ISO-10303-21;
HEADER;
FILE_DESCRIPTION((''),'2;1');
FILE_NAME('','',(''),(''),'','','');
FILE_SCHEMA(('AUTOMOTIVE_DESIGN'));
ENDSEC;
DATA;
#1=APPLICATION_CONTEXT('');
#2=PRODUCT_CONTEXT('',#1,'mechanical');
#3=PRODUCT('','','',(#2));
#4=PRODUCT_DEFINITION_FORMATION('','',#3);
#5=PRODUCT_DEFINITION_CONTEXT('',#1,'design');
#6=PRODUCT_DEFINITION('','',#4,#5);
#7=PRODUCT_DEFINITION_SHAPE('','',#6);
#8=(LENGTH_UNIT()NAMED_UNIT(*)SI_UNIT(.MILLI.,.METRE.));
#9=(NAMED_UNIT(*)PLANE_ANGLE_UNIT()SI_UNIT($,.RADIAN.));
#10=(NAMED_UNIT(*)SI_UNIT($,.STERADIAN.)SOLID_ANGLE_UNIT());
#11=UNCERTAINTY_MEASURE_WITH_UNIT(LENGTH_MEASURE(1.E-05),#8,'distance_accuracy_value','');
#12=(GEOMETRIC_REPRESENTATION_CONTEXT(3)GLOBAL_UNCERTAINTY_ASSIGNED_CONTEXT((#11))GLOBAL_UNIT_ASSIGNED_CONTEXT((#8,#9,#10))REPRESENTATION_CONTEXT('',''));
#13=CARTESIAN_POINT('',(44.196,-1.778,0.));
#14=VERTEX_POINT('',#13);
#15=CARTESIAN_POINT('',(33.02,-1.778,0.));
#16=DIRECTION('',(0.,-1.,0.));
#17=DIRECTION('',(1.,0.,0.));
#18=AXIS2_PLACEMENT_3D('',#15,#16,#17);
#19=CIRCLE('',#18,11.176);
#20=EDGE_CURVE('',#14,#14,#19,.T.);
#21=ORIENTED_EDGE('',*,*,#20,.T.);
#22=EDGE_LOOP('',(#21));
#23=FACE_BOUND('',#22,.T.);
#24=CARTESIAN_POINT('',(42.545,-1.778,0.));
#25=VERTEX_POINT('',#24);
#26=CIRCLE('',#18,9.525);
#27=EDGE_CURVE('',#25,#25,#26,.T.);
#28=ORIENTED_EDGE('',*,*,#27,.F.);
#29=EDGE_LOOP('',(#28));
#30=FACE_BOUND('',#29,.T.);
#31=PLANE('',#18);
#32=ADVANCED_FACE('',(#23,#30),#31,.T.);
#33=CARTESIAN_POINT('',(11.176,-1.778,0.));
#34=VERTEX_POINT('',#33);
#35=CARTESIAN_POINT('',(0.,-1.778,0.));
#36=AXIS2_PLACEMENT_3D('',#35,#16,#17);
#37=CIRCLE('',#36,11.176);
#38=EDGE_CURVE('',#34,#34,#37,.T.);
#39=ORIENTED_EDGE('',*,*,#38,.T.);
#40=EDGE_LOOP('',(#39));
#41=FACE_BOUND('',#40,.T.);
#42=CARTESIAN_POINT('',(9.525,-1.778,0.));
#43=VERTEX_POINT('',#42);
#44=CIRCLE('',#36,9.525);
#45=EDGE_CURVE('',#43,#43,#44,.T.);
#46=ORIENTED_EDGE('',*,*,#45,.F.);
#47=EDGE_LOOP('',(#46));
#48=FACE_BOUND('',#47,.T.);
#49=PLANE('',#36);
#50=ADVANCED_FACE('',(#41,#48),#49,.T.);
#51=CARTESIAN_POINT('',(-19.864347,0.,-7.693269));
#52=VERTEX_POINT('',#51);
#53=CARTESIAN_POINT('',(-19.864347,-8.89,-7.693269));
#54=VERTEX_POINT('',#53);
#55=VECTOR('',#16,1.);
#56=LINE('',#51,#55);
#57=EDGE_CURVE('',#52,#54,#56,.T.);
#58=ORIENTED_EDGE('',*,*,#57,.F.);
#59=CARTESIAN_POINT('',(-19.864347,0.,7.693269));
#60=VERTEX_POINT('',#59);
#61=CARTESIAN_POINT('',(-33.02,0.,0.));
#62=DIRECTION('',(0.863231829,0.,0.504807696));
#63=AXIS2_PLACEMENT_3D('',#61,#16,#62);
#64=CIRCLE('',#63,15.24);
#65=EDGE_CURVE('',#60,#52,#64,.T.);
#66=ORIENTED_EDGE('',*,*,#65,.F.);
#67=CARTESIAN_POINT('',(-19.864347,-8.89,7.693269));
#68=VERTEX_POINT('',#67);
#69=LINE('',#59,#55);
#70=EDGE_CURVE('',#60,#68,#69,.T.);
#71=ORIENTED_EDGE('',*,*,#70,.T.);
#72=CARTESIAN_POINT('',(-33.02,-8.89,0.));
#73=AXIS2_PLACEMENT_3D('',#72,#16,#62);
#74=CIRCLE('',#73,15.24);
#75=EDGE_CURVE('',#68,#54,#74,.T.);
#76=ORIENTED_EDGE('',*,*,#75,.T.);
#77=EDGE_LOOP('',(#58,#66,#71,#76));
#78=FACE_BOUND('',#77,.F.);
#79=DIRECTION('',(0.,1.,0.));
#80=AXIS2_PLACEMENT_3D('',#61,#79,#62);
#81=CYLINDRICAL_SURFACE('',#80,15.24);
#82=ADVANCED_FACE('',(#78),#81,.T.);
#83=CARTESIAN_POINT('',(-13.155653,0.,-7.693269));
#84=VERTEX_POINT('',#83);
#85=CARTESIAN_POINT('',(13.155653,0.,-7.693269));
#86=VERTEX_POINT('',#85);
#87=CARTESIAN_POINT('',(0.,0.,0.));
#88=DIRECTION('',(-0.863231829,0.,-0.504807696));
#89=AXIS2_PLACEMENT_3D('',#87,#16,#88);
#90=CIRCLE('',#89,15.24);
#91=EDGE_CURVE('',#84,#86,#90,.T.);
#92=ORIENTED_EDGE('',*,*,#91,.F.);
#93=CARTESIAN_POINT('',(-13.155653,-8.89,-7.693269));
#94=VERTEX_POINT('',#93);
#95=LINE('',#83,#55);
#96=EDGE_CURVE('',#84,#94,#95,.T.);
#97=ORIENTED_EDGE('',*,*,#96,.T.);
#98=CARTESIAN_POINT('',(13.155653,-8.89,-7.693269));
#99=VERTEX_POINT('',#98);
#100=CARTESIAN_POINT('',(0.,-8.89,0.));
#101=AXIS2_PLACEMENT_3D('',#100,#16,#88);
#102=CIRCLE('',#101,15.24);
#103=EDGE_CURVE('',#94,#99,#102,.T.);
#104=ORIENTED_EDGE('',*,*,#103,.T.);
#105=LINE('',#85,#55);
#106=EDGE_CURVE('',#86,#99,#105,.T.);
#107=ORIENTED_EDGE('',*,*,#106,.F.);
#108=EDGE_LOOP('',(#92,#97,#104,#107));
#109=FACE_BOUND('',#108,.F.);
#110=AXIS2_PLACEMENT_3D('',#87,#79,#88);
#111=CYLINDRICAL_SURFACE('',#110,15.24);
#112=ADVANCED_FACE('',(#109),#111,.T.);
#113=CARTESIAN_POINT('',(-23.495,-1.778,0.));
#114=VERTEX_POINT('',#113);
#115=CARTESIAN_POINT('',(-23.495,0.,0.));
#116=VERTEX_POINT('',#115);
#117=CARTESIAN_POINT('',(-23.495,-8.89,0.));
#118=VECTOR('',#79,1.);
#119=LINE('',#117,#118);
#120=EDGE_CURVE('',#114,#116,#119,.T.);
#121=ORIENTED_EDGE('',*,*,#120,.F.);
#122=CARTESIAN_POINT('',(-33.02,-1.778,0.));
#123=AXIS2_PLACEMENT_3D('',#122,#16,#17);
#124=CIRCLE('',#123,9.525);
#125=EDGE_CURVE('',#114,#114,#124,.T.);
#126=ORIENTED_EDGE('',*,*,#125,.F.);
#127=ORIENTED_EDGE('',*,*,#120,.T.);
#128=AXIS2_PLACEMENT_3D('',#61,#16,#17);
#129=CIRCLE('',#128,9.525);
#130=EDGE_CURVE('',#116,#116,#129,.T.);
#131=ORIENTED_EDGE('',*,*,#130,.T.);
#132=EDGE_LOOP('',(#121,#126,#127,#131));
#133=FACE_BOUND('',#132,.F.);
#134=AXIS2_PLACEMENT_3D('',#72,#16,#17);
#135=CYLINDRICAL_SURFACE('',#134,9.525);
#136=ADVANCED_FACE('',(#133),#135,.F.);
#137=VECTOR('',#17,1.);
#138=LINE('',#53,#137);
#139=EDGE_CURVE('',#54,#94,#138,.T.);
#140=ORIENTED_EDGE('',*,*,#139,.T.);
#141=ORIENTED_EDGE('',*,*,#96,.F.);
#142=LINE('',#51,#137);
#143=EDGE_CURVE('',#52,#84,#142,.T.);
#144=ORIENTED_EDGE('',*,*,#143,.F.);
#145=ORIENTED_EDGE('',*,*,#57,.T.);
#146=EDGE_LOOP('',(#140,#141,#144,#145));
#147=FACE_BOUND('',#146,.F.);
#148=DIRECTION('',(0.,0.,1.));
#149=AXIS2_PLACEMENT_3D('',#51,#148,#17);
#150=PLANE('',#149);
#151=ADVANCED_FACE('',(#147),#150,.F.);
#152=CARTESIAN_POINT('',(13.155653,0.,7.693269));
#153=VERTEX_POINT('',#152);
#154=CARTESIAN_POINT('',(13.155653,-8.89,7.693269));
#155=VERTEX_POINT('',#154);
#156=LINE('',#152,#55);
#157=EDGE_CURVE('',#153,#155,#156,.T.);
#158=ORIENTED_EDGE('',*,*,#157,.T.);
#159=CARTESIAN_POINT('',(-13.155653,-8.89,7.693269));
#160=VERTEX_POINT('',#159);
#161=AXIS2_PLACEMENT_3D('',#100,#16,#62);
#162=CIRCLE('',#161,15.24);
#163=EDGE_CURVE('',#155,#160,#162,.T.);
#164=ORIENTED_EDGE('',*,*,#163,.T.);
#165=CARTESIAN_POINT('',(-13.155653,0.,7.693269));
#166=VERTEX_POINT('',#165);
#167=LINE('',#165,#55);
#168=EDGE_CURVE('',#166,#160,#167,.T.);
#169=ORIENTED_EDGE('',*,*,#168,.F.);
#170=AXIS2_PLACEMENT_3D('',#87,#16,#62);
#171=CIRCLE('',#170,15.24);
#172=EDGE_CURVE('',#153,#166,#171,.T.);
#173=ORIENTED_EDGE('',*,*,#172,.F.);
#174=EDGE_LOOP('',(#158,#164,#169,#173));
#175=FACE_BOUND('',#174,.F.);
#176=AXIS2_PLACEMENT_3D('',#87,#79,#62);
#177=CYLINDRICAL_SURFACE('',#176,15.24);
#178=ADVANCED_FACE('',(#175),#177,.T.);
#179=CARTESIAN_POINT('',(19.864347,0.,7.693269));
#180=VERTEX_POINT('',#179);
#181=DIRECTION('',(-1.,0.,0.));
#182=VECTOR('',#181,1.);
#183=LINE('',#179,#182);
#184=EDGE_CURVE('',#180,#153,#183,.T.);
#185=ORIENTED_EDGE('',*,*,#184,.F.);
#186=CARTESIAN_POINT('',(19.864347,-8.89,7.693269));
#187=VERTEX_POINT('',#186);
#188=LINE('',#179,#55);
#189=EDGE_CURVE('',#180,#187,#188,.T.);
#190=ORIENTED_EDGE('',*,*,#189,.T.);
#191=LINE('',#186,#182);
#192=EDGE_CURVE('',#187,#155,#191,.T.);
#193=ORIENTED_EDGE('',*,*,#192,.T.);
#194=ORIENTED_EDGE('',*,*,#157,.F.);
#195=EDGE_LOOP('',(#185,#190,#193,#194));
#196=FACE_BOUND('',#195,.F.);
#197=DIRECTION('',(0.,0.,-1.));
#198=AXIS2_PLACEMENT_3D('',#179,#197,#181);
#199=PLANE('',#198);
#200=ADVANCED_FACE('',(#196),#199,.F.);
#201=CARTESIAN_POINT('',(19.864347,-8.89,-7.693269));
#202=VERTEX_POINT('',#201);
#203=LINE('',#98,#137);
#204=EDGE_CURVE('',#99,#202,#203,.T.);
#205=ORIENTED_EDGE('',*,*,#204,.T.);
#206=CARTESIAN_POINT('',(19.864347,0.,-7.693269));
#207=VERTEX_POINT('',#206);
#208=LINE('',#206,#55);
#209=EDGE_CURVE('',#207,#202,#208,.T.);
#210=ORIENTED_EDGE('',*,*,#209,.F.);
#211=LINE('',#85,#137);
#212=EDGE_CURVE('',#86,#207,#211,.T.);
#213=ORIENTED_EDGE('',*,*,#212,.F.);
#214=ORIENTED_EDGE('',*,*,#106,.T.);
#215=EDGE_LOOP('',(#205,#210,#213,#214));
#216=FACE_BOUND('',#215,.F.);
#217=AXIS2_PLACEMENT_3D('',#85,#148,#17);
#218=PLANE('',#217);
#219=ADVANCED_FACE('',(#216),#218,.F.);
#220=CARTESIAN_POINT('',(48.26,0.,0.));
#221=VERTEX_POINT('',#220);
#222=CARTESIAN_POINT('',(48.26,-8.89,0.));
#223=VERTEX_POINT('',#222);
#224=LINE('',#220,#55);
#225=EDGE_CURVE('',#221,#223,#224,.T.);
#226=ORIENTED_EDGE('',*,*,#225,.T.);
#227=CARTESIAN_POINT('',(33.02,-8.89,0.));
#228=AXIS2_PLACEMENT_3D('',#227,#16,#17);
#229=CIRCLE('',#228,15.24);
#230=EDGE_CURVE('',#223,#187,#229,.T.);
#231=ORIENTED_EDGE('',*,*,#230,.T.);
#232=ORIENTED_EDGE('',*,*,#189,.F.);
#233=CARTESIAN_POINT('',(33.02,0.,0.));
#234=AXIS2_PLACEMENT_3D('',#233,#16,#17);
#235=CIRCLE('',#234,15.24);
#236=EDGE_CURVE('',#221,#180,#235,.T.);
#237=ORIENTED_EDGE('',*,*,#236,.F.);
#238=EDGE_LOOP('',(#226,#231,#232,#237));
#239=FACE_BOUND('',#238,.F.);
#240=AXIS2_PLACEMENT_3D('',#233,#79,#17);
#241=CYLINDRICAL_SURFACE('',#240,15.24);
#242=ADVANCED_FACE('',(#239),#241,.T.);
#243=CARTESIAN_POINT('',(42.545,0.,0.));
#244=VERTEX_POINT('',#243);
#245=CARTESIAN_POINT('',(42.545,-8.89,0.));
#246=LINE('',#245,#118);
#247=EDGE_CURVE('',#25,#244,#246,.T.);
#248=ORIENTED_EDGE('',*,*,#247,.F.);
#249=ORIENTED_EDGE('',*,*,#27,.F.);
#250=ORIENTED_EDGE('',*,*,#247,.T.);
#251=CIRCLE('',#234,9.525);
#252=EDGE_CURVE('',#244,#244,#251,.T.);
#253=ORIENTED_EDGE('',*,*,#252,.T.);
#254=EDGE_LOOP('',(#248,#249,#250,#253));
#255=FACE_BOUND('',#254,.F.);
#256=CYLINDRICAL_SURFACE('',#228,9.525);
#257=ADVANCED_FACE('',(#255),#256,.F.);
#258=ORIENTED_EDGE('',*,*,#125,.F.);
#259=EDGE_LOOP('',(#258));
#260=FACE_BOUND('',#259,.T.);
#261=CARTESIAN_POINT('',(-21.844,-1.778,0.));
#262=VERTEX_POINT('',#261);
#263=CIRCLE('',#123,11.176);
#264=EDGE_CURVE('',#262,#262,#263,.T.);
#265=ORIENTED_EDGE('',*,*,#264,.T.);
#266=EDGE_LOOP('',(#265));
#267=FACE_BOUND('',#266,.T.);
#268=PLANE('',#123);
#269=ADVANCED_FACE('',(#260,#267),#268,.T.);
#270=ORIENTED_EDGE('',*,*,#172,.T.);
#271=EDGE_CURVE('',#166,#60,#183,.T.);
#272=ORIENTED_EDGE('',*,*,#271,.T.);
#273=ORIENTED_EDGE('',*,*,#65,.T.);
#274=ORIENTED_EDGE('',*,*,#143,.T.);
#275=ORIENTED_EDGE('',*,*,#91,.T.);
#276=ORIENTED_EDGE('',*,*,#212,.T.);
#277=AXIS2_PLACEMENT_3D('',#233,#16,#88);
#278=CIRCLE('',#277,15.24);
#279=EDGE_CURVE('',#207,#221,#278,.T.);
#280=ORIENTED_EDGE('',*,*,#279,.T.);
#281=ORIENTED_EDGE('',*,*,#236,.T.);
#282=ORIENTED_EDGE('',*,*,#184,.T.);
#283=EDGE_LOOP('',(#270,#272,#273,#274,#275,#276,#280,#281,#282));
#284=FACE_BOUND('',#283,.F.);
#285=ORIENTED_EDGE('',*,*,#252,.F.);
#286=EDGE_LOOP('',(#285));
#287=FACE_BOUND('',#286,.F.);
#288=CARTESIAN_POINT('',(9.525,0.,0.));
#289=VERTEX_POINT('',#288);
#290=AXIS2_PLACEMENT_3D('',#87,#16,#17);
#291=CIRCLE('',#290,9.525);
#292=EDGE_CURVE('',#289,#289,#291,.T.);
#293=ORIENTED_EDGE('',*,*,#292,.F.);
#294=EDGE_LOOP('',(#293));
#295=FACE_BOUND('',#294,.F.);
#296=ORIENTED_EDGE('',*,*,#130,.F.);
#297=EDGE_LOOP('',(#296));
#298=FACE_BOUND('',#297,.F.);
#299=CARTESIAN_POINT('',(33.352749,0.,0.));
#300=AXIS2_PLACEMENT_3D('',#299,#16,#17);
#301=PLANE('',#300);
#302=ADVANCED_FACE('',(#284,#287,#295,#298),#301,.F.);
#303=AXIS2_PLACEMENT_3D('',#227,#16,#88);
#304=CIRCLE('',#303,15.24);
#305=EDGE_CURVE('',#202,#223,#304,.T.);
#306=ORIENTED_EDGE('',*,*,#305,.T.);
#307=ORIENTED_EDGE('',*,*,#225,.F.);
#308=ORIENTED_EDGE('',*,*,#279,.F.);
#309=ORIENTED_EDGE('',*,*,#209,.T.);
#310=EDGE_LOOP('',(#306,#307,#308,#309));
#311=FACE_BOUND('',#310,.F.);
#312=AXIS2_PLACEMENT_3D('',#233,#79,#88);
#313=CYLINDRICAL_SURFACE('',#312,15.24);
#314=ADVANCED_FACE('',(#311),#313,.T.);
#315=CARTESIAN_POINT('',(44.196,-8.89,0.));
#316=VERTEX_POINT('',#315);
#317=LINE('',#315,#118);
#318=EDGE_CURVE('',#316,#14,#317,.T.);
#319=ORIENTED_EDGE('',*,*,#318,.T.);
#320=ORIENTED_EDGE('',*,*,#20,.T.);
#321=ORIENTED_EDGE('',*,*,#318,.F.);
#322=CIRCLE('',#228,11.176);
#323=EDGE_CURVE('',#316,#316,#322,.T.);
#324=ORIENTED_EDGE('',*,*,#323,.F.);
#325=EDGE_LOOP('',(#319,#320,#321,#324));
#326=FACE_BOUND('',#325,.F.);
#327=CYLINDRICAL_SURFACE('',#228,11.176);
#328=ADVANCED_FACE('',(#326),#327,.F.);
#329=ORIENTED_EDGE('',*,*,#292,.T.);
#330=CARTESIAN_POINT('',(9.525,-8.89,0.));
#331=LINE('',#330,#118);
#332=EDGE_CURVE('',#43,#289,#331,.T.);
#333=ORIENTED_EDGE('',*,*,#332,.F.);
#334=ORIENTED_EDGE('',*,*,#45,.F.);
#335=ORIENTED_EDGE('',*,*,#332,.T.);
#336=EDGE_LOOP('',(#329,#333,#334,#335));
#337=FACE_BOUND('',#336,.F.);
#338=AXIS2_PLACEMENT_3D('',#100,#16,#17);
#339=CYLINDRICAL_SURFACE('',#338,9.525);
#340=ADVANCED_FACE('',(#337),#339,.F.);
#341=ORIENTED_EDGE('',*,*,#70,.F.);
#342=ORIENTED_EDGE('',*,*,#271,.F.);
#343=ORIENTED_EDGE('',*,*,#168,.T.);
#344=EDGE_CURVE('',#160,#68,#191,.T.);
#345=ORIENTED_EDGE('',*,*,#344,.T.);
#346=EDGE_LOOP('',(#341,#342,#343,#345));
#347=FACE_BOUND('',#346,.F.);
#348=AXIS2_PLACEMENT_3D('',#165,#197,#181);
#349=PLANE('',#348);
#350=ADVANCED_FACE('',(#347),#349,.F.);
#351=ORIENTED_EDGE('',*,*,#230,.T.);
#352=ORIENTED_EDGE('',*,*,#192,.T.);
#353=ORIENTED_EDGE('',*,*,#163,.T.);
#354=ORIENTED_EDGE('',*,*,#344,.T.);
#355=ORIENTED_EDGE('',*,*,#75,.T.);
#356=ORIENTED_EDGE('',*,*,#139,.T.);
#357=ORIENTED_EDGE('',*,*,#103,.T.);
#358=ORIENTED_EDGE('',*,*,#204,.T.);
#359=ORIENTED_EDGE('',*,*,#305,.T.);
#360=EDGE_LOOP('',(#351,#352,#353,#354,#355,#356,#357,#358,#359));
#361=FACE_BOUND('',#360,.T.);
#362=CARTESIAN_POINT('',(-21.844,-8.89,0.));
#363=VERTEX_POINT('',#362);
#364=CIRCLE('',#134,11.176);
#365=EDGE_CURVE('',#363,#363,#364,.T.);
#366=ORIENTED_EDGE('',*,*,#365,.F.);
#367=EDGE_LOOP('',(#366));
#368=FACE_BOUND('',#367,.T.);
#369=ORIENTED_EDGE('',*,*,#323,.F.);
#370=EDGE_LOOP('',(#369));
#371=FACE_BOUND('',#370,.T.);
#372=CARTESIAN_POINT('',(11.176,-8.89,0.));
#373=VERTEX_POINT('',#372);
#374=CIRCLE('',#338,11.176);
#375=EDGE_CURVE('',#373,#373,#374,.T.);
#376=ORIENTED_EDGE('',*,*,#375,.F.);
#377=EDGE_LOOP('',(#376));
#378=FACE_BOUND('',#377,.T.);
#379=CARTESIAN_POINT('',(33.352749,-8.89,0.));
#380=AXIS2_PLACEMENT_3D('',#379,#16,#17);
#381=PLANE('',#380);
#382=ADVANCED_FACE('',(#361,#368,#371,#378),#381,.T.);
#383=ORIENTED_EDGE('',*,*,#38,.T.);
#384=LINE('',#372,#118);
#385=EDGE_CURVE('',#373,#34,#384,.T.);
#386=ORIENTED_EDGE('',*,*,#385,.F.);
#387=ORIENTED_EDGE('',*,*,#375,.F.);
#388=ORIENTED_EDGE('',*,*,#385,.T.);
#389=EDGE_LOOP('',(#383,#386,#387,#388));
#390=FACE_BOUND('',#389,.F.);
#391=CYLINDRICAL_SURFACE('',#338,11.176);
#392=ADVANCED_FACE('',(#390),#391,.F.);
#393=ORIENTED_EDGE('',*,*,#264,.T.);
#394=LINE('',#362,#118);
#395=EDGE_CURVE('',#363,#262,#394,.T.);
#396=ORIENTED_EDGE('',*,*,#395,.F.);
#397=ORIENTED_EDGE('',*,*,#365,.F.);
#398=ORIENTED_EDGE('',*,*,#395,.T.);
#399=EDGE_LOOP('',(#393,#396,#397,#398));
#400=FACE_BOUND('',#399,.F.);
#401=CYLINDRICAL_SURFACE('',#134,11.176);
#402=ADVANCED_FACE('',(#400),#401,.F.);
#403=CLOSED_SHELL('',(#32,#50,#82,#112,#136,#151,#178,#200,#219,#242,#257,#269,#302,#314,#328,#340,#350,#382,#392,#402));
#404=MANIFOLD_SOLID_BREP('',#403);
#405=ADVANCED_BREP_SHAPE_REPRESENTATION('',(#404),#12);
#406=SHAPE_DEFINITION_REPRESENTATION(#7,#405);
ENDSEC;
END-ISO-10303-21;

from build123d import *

# Parameters (mm, degrees)
F1_DEPTH = 8.89
F2_R     = 9.525
F3_DEPTH = 9.144
F4_R     = 11.176
F5_DEPTH = 7.112


with BuildPart() as f1:
    # F0 (on Front) → F1 (new body)
    with BuildSketch(Plane.XZ):
        with BuildLine():
            Line((33.02, 7.69326929), (33.02, -7.69326929))
            Line((33.02, -7.69326929), (19.8643469326, -7.69326929))
            ThreePointArc((19.8643469326, -7.69326929), (37.0053134916, -14.7096864812), (48.26, 0))
            ThreePointArc((48.26, 0), (37.0053134916, 14.7096864812), (19.8643469326, 7.69326929))
            Line((19.8643469326, 7.69326929), (33.02, 7.69326929))
        make_face()
        with BuildLine():
            Line((19.8643469326, -7.69326929), (33.02, -7.69326929))
            Line((33.02, -7.69326929), (33.02, 7.69326929))
            Line((33.02, 7.69326929), (19.8643469326, 7.69326929))
            ThreePointArc((19.8643469326, 7.69326929), (17.78, 0), (19.8643469326, -7.69326929))
        make_face()
        with BuildLine():
            Line((13.1556530674, -7.69326929), (19.8643469326, -7.69326929))
            ThreePointArc((19.8643469326, -7.69326929), (17.78, 0), (19.8643469326, 7.69326929))
            Line((19.8643469326, 7.69326929), (13.1556530674, 7.69326929))
            ThreePointArc((13.1556530674, 7.69326929), (14.7096864812, 3.9853134916), (15.24, 0))
            ThreePointArc((15.24, 0), (14.7096864812, -3.9853134916), (13.1556530674, -7.69326929))
        make_face()
        with BuildLine():
            ThreePointArc((-13.1556530674, -7.69326929), (0, -15.24), (13.1556530674, -7.69326929))
            Line((13.1556530674, -7.69326929), (-13.1556530674, -7.69326929))
        make_face()
        with BuildLine():
            Line((-13.1556530674, -7.69326929), (13.1556530674, -7.69326929))
            ThreePointArc((13.1556530674, -7.69326929), (14.7096864812, -3.9853134916), (15.24, 0))
            ThreePointArc((15.24, 0), (14.7096864812, 3.9853134916), (13.1556530674, 7.69326929))
            Line((13.1556530674, 7.69326929), (-13.1556530674, 7.69326929))
            ThreePointArc((-13.1556530674, 7.69326929), (-15.24, 0), (-13.1556530674, -7.69326929))
        make_face()
        with BuildLine():
            Line((-19.8643469326, -7.69326929), (-13.1556530674, -7.69326929))
            ThreePointArc((-13.1556530674, -7.69326929), (-15.24, 0), (-13.1556530674, 7.69326929))
            Line((-13.1556530674, 7.69326929), (-19.8643469326, 7.69326929))
            ThreePointArc((-19.8643469326, 7.69326929), (-18.3103135188, 3.9853134916), (-17.78, 0))
            ThreePointArc((-17.78, 0), (-18.3103135188, -3.9853134916), (-19.8643469326, -7.69326929))
        make_face()
        with BuildLine():
            Line((-13.1556530674, 7.69326929), (13.1556530674, 7.69326929))
            ThreePointArc((13.1556530674, 7.69326929), (0, 15.24), (-13.1556530674, 7.69326929))
        make_face()
        with BuildLine():
            ThreePointArc((-19.8643469326, 7.69326929), (-48.26, 0), (-19.8643469326, -7.69326929))
            Line((-19.8643469326, -7.69326929), (-33.02, -7.69326929))
            Line((-33.02, -7.69326929), (-33.02, 7.69326929))
            Line((-33.02, 7.69326929), (-19.8643469326, 7.69326929))
        make_face()
        with BuildLine():
            Line((-33.02, -7.69326929), (-19.8643469326, -7.69326929))
            ThreePointArc((-19.8643469326, -7.69326929), (-18.3103135188, -3.9853134916), (-17.78, 0))
            ThreePointArc((-17.78, 0), (-18.3103135188, 3.9853134916), (-19.8643469326, 7.69326929))
            Line((-19.8643469326, 7.69326929), (-33.02, 7.69326929))
            Line((-33.02, 7.69326929), (-33.02, -7.69326929))
        make_face()
    extrude(amount=F1_DEPTH)

    # F2 (on face) → F3 (cut)
    with BuildSketch(Plane.XZ.offset(8.89)):
        Circle(F2_R)
        with Locations((33.02, 0)):
            Circle(F2_R)
        with Locations((-33.02, 0)):
            Circle(F2_R)
    extrude(amount=-F3_DEPTH, mode=Mode.SUBTRACT)

    # F4 (on face) → F5 (cut)
    with BuildSketch(Plane.XZ.offset(8.89)):
        Circle(F4_R)
        with Locations((-33.02, 0)):
            Circle(F4_R)
        with Locations((33.02, 0)):
            Circle(F4_R)
    extrude(amount=-F5_DEPTH, mode=Mode.SUBTRACT)


solid = f1.part
